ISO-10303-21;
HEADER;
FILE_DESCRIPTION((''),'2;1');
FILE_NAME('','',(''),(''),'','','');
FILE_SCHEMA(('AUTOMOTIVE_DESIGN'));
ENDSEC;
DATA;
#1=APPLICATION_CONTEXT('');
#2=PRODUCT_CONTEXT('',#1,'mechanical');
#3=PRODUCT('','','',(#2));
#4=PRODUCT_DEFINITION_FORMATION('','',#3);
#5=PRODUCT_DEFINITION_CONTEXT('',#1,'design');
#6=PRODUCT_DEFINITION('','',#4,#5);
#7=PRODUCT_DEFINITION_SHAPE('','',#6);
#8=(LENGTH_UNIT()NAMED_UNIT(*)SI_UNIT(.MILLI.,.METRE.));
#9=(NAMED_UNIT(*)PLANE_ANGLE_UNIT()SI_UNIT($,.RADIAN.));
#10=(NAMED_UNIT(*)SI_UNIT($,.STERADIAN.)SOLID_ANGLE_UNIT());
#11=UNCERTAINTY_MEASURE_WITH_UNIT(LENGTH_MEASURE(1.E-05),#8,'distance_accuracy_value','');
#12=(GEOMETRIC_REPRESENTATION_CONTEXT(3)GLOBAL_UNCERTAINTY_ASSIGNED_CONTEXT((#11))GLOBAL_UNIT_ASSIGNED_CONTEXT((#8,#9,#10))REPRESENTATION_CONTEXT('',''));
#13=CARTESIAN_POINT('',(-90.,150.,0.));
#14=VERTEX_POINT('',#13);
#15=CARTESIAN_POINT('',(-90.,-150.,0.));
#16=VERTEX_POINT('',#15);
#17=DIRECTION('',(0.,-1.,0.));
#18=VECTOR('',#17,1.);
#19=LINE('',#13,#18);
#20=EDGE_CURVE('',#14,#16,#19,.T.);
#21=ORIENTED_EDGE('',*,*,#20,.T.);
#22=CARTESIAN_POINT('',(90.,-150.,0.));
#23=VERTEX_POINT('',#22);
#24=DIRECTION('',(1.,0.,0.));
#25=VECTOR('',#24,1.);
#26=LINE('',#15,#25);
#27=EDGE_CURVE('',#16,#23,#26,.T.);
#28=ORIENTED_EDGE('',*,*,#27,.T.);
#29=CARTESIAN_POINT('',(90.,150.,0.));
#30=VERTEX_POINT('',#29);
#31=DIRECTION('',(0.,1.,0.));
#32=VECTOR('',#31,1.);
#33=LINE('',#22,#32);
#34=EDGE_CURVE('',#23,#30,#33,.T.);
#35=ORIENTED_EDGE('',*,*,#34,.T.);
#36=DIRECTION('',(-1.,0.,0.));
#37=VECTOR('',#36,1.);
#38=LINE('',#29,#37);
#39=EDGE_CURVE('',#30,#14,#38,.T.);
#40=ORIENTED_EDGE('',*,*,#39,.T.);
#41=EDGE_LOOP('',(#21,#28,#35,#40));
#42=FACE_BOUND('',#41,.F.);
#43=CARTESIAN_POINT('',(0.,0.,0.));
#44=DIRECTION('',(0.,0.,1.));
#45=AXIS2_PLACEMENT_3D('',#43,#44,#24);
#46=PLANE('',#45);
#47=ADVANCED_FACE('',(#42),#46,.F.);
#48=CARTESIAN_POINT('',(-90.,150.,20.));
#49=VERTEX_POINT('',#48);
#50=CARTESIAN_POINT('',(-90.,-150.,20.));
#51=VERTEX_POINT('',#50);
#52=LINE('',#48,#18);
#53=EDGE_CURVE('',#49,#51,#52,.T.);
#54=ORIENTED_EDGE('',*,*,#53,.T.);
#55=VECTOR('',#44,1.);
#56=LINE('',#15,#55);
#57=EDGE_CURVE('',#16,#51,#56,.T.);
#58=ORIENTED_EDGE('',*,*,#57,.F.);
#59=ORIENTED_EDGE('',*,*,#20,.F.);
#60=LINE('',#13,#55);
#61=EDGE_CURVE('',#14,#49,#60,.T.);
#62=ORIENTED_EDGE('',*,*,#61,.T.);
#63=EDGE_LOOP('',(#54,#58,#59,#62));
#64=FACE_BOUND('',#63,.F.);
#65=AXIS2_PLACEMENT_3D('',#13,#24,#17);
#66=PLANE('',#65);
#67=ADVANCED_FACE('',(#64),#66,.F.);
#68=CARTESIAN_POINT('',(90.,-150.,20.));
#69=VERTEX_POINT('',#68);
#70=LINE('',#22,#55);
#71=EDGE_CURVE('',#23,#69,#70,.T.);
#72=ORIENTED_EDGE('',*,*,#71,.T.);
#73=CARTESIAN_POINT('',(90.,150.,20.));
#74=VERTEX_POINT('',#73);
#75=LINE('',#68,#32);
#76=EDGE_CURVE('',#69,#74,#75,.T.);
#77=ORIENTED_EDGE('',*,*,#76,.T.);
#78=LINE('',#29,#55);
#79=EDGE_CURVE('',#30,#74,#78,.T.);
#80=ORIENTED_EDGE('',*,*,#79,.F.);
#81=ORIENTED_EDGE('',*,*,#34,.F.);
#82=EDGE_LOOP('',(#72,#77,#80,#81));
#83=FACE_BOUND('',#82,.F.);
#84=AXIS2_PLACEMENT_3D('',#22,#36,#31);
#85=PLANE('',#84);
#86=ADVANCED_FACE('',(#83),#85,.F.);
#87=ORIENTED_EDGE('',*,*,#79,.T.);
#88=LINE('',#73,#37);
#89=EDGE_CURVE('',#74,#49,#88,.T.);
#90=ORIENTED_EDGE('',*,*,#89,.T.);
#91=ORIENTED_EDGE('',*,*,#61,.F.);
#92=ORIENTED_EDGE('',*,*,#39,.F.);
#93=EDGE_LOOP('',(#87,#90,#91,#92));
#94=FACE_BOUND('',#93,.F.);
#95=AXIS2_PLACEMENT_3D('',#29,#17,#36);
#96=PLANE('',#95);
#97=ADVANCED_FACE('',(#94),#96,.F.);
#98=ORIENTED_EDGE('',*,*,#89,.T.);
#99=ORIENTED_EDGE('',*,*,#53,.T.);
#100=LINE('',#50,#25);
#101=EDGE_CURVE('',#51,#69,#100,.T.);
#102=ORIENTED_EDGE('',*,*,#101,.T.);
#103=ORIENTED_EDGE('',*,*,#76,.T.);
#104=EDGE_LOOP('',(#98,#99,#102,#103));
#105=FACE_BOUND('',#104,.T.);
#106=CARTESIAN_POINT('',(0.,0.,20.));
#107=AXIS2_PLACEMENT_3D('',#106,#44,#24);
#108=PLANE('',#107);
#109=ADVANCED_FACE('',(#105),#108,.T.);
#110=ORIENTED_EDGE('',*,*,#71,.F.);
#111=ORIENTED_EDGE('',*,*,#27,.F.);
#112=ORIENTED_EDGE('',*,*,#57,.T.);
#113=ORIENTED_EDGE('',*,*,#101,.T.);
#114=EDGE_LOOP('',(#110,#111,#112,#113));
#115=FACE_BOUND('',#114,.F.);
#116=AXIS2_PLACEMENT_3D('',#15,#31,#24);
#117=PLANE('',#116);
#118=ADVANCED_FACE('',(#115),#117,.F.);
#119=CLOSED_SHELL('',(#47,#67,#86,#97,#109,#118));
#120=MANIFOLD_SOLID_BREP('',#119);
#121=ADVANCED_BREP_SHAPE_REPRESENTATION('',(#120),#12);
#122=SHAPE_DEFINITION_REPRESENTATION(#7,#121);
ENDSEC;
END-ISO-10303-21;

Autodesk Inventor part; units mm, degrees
ref_plane "YZ Plane" through (0, 0, 0) normal (1, 0, 0) x (0, 1, 0)
ref_plane "XZ Plane" through (0, 0, 0) normal (0, 1, 0) x (-1, 0, 0)
ref_plane "XY Plane" through (0, 0, 0) normal (0, 0, 1) x (1, 0, 0)
sketch "Skizze1" plane through (0, 0, 0) normal (0, 0, 1) x (1, 0, 0)
  line L0 (-90, -150) -> (90, -150)
  line L1 (90, -150) -> (90, 150)
  line L2 (90, 150) -> (-90, 150)
  line L3 (-90, 150) -> (-90, -150)
  line L4 (-90, -150) -> (90, 150) construction
  line L5 (90, -150) -> (-90, 150) construction
  point P0 (0, 0)
  dimension "d0" = 180
  dimension "d1" = 300
extrude "Extrusion1" add sketch "Skizze1" along normal blind 20
properties part number "Halterplatte"
